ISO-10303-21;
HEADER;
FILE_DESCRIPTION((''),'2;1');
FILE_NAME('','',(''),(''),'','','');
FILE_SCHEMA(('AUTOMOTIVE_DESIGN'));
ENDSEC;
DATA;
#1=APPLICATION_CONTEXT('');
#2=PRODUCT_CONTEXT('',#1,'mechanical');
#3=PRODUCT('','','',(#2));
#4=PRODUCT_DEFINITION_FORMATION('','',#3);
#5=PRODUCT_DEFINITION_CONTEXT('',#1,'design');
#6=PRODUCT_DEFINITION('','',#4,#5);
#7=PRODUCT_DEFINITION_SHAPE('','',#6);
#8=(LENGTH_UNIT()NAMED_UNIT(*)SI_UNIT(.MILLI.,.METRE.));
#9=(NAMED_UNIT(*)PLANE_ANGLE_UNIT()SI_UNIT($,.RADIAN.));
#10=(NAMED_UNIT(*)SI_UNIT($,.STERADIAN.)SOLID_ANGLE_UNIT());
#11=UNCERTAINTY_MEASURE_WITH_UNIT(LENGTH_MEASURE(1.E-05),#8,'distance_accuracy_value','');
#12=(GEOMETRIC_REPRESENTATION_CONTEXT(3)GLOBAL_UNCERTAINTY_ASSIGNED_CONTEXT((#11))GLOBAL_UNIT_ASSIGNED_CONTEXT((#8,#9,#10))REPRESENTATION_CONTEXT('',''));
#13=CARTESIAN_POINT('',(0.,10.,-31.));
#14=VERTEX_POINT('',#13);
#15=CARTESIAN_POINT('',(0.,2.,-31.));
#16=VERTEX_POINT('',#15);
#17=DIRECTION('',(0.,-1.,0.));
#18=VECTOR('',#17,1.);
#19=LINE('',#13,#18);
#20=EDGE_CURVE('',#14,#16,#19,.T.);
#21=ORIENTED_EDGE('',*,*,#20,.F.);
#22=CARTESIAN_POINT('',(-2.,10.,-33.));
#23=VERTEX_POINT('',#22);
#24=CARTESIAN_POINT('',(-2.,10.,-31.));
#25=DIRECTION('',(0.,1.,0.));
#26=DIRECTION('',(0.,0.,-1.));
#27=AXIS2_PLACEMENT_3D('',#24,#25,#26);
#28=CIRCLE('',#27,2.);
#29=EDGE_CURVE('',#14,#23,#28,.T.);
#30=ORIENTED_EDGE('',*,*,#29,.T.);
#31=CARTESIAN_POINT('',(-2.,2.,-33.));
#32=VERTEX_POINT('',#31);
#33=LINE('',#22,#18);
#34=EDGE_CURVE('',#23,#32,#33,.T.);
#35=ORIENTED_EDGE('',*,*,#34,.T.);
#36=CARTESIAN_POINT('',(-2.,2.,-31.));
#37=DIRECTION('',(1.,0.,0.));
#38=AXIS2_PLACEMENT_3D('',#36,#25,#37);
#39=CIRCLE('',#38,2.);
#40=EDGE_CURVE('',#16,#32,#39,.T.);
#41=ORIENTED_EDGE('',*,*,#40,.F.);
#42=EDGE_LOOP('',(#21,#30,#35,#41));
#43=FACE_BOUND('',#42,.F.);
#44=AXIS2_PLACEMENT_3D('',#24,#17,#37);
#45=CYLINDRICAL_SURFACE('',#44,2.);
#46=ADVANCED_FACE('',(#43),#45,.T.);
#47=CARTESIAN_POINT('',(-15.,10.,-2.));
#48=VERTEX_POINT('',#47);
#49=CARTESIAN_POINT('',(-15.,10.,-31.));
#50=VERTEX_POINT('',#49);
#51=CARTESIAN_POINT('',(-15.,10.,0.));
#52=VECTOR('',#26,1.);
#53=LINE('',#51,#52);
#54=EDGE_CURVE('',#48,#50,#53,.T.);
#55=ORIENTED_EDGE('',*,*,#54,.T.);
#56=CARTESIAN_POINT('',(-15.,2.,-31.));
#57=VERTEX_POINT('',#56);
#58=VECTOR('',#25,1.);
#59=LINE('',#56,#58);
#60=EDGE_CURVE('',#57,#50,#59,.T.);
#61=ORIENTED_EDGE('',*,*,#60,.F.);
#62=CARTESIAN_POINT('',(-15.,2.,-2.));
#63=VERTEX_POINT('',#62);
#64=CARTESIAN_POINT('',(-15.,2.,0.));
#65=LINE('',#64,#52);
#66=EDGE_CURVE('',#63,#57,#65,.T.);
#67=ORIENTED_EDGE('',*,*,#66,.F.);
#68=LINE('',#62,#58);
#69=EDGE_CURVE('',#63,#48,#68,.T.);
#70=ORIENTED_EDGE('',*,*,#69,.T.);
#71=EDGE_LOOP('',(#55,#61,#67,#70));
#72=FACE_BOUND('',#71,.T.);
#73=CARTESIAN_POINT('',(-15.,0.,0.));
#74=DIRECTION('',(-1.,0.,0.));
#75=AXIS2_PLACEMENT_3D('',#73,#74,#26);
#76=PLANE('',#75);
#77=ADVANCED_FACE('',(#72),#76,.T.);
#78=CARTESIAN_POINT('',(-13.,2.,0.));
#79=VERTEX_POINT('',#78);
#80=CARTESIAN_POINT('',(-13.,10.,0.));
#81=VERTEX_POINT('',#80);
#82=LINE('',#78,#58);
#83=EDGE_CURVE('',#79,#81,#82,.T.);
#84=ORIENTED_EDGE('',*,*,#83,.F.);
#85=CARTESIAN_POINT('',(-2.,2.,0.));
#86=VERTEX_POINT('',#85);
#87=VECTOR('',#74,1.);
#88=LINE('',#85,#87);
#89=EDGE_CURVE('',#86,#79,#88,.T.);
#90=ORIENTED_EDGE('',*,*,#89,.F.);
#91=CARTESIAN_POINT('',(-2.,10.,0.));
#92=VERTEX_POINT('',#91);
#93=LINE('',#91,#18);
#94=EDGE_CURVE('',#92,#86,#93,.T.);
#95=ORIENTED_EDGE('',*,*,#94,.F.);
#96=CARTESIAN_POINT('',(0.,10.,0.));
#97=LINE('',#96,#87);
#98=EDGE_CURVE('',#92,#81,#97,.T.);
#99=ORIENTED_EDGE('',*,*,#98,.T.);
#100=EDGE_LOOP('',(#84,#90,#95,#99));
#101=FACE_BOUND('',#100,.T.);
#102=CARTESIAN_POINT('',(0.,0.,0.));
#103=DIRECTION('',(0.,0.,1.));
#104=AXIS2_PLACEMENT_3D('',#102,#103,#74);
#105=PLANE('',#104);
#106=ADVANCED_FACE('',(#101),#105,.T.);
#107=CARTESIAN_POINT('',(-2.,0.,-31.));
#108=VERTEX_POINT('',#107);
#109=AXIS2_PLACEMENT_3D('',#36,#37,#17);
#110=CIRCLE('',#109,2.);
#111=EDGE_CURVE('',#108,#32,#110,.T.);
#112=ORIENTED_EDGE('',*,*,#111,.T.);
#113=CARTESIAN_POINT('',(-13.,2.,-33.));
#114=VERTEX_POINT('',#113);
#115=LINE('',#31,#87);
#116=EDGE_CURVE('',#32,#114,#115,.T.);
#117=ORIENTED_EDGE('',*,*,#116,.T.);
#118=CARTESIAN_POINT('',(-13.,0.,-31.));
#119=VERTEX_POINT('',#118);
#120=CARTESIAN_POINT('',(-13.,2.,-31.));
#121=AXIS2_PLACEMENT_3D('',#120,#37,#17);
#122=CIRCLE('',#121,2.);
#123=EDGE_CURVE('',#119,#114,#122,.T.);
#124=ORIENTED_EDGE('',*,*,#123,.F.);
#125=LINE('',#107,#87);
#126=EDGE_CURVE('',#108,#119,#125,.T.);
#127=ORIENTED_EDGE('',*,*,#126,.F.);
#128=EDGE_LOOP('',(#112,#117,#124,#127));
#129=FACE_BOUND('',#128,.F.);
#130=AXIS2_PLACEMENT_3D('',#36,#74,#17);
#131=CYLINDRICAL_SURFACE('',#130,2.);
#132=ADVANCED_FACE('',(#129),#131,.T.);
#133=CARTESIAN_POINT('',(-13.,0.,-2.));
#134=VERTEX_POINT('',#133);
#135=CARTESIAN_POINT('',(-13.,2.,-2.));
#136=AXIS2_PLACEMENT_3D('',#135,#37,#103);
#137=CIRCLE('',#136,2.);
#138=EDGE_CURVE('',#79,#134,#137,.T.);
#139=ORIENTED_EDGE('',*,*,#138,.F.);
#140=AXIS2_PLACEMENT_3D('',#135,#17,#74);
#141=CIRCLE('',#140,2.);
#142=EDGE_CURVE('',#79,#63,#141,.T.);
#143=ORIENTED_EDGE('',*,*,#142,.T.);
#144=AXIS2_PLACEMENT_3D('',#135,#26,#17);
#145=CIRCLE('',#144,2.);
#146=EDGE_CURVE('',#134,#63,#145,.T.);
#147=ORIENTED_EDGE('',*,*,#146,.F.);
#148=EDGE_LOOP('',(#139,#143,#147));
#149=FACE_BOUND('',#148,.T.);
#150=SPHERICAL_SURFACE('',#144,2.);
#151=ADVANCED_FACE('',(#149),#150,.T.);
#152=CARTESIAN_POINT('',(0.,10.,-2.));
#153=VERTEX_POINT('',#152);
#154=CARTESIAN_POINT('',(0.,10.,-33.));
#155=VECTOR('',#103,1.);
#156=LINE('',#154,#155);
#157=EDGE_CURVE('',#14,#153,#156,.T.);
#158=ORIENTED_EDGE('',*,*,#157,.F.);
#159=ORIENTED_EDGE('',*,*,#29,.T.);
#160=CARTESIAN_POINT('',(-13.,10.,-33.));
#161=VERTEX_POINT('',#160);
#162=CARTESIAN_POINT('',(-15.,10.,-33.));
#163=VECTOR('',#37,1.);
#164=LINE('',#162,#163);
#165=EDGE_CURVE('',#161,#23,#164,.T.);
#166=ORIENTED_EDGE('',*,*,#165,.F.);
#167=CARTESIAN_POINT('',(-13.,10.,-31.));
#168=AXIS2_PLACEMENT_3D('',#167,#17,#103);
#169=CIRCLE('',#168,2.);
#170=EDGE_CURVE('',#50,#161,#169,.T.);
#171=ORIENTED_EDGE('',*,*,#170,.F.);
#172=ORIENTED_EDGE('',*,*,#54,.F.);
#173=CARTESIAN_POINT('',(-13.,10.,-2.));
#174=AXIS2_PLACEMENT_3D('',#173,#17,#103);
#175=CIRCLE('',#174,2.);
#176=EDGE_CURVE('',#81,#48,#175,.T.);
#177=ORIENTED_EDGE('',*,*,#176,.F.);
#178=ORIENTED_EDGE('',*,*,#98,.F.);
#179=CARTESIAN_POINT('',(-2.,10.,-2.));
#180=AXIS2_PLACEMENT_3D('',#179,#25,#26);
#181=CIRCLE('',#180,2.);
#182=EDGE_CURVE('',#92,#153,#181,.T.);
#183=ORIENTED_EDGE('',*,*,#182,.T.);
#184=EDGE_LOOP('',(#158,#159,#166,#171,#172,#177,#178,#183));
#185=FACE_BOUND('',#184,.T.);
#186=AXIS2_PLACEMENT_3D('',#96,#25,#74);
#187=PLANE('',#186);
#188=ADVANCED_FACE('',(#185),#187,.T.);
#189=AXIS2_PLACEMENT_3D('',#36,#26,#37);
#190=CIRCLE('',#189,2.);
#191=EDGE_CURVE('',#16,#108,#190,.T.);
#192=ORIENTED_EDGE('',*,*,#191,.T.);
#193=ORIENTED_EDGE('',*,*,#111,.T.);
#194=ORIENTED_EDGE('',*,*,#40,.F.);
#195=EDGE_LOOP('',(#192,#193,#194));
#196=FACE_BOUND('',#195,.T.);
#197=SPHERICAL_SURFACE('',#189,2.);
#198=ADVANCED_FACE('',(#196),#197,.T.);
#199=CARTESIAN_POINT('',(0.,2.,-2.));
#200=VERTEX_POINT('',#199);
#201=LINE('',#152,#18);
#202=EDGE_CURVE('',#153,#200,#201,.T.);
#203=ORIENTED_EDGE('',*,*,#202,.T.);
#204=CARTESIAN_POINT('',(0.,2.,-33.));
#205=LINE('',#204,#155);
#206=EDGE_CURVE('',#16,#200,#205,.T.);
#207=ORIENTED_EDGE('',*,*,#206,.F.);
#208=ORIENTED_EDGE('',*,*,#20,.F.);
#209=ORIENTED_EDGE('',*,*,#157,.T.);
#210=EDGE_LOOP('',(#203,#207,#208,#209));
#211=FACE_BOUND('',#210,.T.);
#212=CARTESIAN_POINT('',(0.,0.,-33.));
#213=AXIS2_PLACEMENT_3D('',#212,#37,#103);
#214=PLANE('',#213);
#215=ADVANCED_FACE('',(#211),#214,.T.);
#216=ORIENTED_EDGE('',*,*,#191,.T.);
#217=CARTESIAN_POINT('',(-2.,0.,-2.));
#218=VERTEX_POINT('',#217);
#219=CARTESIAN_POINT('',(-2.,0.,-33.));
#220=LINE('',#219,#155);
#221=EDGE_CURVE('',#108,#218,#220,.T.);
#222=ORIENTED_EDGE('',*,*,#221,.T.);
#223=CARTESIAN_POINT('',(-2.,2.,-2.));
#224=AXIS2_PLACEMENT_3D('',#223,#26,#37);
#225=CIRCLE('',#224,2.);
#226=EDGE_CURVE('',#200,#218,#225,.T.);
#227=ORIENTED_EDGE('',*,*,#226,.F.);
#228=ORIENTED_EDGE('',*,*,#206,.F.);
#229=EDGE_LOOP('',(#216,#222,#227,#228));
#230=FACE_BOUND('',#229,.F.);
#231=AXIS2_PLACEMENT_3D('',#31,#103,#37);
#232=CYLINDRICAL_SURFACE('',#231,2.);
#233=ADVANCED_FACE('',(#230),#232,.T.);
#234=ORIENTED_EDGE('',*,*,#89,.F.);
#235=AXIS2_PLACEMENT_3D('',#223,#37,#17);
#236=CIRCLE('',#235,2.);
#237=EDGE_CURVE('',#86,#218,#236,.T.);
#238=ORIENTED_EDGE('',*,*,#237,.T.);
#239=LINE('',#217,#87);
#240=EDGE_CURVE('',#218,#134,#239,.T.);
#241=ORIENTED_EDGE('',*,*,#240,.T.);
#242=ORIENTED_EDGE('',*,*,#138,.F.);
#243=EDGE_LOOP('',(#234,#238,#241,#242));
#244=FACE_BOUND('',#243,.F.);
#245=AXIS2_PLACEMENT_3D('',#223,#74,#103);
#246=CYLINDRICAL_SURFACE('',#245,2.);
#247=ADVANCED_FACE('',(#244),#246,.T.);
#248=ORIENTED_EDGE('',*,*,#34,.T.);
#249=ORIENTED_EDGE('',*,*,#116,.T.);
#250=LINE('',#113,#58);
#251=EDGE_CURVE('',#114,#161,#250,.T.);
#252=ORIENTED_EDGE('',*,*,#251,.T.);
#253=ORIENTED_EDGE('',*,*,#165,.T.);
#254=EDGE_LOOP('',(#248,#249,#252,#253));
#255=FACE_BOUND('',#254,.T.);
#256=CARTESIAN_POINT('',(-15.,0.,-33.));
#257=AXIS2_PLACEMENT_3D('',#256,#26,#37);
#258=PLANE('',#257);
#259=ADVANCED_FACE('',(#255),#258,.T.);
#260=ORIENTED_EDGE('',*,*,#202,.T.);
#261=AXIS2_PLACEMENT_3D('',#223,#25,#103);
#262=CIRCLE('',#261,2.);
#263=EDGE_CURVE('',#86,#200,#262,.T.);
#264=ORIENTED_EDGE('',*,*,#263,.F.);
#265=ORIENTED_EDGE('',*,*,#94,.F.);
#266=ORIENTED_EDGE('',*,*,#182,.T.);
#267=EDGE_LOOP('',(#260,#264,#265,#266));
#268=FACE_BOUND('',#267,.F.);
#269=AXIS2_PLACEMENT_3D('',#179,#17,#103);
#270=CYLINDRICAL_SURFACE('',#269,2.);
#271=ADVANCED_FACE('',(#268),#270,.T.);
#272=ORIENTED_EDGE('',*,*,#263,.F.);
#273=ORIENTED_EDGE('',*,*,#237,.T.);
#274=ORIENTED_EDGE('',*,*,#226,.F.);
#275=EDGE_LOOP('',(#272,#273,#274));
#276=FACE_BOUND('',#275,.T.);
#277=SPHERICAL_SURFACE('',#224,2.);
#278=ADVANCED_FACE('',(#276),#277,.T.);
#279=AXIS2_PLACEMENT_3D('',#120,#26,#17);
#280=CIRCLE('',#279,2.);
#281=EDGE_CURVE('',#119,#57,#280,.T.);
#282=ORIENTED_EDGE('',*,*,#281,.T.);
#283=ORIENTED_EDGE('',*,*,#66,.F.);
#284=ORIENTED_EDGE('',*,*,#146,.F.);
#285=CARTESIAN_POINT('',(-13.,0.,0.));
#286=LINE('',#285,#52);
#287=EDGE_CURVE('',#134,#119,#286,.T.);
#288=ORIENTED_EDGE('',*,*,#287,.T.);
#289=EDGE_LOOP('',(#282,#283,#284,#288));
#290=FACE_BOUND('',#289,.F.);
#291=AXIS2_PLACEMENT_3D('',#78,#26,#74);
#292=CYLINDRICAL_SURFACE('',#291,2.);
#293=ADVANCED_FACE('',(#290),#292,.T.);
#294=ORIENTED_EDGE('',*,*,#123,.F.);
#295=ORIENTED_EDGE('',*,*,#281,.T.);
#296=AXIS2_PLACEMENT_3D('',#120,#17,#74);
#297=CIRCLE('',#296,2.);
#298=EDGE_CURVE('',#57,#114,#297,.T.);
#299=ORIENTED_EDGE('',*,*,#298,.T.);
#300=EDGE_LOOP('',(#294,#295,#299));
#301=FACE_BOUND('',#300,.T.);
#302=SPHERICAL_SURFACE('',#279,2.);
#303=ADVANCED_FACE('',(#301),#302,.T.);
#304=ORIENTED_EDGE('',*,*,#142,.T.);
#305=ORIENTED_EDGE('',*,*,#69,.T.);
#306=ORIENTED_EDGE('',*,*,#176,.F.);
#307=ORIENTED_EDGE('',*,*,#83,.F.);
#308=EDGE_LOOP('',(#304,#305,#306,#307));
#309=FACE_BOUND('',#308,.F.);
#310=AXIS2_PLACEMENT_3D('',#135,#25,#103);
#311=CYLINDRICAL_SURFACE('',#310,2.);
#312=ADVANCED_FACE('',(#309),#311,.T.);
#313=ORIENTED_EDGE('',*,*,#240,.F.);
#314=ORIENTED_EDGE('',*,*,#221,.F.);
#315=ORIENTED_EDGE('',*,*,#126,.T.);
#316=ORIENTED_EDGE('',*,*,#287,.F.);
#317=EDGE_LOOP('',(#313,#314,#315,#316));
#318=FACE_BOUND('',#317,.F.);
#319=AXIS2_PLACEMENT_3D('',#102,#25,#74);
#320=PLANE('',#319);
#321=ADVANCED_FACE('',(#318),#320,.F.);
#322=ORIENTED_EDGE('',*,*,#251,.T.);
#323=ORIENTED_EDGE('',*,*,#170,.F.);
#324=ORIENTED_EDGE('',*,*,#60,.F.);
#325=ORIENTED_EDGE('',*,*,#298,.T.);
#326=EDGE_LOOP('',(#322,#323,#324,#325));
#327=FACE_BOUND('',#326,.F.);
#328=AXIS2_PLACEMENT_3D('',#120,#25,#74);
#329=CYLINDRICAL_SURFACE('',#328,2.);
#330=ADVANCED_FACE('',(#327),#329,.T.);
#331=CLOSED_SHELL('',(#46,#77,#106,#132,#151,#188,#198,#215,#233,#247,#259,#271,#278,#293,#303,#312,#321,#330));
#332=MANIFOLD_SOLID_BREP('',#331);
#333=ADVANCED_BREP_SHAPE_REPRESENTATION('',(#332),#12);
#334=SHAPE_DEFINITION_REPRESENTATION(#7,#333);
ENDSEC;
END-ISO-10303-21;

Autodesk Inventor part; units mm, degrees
ref_plane "YZ Plane" through (0, 0, 0) normal (1, 0, 0) x (0, 1, 0)
ref_plane "XZ Plane" through (0, 0, 0) normal (0, 1, 0) x (-1, 0, 0)
ref_plane "XY Plane" through (0, 0, 0) normal (0, 0, 1) x (1, 0, 0)
sketch "Sketch1" plane through (0, 0, 0) normal (0, 1, 0) x (-1, 0, 0)
  line L0 (0, 0) -> (15, 0)
  line L1 (15, 0) -> (15, -33)
  line L2 (15, -33) -> (0, -33)
  line L3 (0, -33) -> (0, 0)
  dimension "d0" = 15
  dimension "d1" = 33
extrude "Extrusion1" add sketch "Sketch1" along normal blind 10
fillet "Fillet1" radius 2 2 edges at (0, 0, -16.5) (-15, 0, -16.5)
fillet "Fillet2" radius 2 10 edges at (-0.5858, 0.5858, -33) (-7.5, 0, -33) (-14.4142, 0.5858, -33) (-15, 6, -33) (0, 6, -33) (-0.5858, 0.5858, 0) (-7.5, 0, 0) (-14.4142, 0.5858, 0) (-15, 6, 0) (0, 6, 0)
sketch "Sketch2" plane through (0, 10, 0) normal (0, 1, 0) x (1, 0, 0)
  line L0 (-14.5243, 2) -> (-14.5243, 30.9154) construction
  line L1 (-14.5243, 30.9154) -> (-0.4504, 30.9154) construction
  line L2 (-0.4504, 30.9154) -> (-0.4504, 2) construction
  line L3 (-0.4504, 2) -> (-14.5243, 2) construction
properties material "ABS Plastic"
